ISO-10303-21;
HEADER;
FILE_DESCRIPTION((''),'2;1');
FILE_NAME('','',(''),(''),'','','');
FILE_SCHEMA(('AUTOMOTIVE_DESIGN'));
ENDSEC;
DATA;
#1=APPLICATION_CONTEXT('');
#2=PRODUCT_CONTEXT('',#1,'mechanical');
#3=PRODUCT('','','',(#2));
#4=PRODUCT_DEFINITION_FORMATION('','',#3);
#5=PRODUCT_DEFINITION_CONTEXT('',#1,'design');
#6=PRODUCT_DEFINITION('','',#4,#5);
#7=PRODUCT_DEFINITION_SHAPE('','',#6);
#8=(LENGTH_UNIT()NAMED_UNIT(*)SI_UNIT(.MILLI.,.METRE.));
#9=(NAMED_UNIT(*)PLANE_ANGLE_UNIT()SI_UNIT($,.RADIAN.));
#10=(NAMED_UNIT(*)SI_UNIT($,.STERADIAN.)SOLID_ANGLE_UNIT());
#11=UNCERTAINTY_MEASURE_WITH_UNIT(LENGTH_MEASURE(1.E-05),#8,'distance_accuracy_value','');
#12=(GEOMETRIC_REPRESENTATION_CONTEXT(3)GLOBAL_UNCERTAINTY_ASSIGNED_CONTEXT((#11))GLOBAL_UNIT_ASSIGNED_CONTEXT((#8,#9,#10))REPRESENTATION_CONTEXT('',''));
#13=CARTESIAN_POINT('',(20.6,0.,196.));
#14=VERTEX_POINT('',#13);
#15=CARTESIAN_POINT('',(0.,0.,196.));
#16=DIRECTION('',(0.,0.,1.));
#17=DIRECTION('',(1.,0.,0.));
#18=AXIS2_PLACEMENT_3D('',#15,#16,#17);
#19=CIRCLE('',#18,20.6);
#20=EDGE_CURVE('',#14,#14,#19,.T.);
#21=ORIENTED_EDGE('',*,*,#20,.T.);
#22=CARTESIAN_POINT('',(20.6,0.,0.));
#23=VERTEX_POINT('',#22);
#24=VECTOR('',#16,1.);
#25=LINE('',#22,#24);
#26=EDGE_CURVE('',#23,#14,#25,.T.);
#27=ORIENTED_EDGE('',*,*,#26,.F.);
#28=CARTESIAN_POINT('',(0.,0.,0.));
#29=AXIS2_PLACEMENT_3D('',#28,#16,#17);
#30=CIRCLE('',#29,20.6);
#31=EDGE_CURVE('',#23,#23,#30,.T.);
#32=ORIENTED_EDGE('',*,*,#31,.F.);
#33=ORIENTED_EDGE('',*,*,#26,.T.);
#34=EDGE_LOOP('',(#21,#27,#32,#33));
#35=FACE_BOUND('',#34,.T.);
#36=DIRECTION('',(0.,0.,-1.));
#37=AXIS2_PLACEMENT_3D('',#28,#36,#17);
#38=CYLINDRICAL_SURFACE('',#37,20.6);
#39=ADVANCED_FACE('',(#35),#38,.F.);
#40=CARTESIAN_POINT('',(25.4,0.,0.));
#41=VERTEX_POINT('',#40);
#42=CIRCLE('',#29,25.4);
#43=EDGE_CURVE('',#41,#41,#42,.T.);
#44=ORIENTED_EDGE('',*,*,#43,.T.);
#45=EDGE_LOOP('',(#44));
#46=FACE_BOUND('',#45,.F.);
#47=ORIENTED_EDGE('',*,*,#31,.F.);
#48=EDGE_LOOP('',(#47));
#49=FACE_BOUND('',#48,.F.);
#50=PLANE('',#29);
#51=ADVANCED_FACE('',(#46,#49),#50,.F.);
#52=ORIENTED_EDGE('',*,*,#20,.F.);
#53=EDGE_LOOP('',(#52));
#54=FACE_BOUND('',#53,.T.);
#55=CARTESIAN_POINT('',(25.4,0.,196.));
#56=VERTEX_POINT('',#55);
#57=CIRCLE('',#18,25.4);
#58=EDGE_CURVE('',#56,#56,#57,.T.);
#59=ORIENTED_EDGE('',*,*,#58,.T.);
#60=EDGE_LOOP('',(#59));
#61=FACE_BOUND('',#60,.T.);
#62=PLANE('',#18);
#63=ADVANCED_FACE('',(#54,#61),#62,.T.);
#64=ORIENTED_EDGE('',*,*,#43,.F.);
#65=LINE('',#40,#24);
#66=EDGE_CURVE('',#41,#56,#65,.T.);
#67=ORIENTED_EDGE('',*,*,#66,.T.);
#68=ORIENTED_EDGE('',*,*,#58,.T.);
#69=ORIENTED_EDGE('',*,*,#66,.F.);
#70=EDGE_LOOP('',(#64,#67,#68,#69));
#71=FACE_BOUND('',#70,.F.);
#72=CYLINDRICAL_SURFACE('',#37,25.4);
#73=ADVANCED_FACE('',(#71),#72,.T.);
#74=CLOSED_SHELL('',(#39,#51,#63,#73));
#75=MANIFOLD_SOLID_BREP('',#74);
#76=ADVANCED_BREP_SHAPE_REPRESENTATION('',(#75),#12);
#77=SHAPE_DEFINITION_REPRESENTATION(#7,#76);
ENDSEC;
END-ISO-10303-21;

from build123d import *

# Parameters (mm, degrees)
SKETCH_R   = 25.4
SKETCH_R_2 = 20.6
PAD_DEPTH  = 196


with BuildPart() as part:
    # Sketch → Pad (new body)
    with BuildSketch(Plane.XY):
        Circle(SKETCH_R)
        Circle(SKETCH_R_2, mode=Mode.SUBTRACT)
    extrude(amount=PAD_DEPTH)


solid = part.part
